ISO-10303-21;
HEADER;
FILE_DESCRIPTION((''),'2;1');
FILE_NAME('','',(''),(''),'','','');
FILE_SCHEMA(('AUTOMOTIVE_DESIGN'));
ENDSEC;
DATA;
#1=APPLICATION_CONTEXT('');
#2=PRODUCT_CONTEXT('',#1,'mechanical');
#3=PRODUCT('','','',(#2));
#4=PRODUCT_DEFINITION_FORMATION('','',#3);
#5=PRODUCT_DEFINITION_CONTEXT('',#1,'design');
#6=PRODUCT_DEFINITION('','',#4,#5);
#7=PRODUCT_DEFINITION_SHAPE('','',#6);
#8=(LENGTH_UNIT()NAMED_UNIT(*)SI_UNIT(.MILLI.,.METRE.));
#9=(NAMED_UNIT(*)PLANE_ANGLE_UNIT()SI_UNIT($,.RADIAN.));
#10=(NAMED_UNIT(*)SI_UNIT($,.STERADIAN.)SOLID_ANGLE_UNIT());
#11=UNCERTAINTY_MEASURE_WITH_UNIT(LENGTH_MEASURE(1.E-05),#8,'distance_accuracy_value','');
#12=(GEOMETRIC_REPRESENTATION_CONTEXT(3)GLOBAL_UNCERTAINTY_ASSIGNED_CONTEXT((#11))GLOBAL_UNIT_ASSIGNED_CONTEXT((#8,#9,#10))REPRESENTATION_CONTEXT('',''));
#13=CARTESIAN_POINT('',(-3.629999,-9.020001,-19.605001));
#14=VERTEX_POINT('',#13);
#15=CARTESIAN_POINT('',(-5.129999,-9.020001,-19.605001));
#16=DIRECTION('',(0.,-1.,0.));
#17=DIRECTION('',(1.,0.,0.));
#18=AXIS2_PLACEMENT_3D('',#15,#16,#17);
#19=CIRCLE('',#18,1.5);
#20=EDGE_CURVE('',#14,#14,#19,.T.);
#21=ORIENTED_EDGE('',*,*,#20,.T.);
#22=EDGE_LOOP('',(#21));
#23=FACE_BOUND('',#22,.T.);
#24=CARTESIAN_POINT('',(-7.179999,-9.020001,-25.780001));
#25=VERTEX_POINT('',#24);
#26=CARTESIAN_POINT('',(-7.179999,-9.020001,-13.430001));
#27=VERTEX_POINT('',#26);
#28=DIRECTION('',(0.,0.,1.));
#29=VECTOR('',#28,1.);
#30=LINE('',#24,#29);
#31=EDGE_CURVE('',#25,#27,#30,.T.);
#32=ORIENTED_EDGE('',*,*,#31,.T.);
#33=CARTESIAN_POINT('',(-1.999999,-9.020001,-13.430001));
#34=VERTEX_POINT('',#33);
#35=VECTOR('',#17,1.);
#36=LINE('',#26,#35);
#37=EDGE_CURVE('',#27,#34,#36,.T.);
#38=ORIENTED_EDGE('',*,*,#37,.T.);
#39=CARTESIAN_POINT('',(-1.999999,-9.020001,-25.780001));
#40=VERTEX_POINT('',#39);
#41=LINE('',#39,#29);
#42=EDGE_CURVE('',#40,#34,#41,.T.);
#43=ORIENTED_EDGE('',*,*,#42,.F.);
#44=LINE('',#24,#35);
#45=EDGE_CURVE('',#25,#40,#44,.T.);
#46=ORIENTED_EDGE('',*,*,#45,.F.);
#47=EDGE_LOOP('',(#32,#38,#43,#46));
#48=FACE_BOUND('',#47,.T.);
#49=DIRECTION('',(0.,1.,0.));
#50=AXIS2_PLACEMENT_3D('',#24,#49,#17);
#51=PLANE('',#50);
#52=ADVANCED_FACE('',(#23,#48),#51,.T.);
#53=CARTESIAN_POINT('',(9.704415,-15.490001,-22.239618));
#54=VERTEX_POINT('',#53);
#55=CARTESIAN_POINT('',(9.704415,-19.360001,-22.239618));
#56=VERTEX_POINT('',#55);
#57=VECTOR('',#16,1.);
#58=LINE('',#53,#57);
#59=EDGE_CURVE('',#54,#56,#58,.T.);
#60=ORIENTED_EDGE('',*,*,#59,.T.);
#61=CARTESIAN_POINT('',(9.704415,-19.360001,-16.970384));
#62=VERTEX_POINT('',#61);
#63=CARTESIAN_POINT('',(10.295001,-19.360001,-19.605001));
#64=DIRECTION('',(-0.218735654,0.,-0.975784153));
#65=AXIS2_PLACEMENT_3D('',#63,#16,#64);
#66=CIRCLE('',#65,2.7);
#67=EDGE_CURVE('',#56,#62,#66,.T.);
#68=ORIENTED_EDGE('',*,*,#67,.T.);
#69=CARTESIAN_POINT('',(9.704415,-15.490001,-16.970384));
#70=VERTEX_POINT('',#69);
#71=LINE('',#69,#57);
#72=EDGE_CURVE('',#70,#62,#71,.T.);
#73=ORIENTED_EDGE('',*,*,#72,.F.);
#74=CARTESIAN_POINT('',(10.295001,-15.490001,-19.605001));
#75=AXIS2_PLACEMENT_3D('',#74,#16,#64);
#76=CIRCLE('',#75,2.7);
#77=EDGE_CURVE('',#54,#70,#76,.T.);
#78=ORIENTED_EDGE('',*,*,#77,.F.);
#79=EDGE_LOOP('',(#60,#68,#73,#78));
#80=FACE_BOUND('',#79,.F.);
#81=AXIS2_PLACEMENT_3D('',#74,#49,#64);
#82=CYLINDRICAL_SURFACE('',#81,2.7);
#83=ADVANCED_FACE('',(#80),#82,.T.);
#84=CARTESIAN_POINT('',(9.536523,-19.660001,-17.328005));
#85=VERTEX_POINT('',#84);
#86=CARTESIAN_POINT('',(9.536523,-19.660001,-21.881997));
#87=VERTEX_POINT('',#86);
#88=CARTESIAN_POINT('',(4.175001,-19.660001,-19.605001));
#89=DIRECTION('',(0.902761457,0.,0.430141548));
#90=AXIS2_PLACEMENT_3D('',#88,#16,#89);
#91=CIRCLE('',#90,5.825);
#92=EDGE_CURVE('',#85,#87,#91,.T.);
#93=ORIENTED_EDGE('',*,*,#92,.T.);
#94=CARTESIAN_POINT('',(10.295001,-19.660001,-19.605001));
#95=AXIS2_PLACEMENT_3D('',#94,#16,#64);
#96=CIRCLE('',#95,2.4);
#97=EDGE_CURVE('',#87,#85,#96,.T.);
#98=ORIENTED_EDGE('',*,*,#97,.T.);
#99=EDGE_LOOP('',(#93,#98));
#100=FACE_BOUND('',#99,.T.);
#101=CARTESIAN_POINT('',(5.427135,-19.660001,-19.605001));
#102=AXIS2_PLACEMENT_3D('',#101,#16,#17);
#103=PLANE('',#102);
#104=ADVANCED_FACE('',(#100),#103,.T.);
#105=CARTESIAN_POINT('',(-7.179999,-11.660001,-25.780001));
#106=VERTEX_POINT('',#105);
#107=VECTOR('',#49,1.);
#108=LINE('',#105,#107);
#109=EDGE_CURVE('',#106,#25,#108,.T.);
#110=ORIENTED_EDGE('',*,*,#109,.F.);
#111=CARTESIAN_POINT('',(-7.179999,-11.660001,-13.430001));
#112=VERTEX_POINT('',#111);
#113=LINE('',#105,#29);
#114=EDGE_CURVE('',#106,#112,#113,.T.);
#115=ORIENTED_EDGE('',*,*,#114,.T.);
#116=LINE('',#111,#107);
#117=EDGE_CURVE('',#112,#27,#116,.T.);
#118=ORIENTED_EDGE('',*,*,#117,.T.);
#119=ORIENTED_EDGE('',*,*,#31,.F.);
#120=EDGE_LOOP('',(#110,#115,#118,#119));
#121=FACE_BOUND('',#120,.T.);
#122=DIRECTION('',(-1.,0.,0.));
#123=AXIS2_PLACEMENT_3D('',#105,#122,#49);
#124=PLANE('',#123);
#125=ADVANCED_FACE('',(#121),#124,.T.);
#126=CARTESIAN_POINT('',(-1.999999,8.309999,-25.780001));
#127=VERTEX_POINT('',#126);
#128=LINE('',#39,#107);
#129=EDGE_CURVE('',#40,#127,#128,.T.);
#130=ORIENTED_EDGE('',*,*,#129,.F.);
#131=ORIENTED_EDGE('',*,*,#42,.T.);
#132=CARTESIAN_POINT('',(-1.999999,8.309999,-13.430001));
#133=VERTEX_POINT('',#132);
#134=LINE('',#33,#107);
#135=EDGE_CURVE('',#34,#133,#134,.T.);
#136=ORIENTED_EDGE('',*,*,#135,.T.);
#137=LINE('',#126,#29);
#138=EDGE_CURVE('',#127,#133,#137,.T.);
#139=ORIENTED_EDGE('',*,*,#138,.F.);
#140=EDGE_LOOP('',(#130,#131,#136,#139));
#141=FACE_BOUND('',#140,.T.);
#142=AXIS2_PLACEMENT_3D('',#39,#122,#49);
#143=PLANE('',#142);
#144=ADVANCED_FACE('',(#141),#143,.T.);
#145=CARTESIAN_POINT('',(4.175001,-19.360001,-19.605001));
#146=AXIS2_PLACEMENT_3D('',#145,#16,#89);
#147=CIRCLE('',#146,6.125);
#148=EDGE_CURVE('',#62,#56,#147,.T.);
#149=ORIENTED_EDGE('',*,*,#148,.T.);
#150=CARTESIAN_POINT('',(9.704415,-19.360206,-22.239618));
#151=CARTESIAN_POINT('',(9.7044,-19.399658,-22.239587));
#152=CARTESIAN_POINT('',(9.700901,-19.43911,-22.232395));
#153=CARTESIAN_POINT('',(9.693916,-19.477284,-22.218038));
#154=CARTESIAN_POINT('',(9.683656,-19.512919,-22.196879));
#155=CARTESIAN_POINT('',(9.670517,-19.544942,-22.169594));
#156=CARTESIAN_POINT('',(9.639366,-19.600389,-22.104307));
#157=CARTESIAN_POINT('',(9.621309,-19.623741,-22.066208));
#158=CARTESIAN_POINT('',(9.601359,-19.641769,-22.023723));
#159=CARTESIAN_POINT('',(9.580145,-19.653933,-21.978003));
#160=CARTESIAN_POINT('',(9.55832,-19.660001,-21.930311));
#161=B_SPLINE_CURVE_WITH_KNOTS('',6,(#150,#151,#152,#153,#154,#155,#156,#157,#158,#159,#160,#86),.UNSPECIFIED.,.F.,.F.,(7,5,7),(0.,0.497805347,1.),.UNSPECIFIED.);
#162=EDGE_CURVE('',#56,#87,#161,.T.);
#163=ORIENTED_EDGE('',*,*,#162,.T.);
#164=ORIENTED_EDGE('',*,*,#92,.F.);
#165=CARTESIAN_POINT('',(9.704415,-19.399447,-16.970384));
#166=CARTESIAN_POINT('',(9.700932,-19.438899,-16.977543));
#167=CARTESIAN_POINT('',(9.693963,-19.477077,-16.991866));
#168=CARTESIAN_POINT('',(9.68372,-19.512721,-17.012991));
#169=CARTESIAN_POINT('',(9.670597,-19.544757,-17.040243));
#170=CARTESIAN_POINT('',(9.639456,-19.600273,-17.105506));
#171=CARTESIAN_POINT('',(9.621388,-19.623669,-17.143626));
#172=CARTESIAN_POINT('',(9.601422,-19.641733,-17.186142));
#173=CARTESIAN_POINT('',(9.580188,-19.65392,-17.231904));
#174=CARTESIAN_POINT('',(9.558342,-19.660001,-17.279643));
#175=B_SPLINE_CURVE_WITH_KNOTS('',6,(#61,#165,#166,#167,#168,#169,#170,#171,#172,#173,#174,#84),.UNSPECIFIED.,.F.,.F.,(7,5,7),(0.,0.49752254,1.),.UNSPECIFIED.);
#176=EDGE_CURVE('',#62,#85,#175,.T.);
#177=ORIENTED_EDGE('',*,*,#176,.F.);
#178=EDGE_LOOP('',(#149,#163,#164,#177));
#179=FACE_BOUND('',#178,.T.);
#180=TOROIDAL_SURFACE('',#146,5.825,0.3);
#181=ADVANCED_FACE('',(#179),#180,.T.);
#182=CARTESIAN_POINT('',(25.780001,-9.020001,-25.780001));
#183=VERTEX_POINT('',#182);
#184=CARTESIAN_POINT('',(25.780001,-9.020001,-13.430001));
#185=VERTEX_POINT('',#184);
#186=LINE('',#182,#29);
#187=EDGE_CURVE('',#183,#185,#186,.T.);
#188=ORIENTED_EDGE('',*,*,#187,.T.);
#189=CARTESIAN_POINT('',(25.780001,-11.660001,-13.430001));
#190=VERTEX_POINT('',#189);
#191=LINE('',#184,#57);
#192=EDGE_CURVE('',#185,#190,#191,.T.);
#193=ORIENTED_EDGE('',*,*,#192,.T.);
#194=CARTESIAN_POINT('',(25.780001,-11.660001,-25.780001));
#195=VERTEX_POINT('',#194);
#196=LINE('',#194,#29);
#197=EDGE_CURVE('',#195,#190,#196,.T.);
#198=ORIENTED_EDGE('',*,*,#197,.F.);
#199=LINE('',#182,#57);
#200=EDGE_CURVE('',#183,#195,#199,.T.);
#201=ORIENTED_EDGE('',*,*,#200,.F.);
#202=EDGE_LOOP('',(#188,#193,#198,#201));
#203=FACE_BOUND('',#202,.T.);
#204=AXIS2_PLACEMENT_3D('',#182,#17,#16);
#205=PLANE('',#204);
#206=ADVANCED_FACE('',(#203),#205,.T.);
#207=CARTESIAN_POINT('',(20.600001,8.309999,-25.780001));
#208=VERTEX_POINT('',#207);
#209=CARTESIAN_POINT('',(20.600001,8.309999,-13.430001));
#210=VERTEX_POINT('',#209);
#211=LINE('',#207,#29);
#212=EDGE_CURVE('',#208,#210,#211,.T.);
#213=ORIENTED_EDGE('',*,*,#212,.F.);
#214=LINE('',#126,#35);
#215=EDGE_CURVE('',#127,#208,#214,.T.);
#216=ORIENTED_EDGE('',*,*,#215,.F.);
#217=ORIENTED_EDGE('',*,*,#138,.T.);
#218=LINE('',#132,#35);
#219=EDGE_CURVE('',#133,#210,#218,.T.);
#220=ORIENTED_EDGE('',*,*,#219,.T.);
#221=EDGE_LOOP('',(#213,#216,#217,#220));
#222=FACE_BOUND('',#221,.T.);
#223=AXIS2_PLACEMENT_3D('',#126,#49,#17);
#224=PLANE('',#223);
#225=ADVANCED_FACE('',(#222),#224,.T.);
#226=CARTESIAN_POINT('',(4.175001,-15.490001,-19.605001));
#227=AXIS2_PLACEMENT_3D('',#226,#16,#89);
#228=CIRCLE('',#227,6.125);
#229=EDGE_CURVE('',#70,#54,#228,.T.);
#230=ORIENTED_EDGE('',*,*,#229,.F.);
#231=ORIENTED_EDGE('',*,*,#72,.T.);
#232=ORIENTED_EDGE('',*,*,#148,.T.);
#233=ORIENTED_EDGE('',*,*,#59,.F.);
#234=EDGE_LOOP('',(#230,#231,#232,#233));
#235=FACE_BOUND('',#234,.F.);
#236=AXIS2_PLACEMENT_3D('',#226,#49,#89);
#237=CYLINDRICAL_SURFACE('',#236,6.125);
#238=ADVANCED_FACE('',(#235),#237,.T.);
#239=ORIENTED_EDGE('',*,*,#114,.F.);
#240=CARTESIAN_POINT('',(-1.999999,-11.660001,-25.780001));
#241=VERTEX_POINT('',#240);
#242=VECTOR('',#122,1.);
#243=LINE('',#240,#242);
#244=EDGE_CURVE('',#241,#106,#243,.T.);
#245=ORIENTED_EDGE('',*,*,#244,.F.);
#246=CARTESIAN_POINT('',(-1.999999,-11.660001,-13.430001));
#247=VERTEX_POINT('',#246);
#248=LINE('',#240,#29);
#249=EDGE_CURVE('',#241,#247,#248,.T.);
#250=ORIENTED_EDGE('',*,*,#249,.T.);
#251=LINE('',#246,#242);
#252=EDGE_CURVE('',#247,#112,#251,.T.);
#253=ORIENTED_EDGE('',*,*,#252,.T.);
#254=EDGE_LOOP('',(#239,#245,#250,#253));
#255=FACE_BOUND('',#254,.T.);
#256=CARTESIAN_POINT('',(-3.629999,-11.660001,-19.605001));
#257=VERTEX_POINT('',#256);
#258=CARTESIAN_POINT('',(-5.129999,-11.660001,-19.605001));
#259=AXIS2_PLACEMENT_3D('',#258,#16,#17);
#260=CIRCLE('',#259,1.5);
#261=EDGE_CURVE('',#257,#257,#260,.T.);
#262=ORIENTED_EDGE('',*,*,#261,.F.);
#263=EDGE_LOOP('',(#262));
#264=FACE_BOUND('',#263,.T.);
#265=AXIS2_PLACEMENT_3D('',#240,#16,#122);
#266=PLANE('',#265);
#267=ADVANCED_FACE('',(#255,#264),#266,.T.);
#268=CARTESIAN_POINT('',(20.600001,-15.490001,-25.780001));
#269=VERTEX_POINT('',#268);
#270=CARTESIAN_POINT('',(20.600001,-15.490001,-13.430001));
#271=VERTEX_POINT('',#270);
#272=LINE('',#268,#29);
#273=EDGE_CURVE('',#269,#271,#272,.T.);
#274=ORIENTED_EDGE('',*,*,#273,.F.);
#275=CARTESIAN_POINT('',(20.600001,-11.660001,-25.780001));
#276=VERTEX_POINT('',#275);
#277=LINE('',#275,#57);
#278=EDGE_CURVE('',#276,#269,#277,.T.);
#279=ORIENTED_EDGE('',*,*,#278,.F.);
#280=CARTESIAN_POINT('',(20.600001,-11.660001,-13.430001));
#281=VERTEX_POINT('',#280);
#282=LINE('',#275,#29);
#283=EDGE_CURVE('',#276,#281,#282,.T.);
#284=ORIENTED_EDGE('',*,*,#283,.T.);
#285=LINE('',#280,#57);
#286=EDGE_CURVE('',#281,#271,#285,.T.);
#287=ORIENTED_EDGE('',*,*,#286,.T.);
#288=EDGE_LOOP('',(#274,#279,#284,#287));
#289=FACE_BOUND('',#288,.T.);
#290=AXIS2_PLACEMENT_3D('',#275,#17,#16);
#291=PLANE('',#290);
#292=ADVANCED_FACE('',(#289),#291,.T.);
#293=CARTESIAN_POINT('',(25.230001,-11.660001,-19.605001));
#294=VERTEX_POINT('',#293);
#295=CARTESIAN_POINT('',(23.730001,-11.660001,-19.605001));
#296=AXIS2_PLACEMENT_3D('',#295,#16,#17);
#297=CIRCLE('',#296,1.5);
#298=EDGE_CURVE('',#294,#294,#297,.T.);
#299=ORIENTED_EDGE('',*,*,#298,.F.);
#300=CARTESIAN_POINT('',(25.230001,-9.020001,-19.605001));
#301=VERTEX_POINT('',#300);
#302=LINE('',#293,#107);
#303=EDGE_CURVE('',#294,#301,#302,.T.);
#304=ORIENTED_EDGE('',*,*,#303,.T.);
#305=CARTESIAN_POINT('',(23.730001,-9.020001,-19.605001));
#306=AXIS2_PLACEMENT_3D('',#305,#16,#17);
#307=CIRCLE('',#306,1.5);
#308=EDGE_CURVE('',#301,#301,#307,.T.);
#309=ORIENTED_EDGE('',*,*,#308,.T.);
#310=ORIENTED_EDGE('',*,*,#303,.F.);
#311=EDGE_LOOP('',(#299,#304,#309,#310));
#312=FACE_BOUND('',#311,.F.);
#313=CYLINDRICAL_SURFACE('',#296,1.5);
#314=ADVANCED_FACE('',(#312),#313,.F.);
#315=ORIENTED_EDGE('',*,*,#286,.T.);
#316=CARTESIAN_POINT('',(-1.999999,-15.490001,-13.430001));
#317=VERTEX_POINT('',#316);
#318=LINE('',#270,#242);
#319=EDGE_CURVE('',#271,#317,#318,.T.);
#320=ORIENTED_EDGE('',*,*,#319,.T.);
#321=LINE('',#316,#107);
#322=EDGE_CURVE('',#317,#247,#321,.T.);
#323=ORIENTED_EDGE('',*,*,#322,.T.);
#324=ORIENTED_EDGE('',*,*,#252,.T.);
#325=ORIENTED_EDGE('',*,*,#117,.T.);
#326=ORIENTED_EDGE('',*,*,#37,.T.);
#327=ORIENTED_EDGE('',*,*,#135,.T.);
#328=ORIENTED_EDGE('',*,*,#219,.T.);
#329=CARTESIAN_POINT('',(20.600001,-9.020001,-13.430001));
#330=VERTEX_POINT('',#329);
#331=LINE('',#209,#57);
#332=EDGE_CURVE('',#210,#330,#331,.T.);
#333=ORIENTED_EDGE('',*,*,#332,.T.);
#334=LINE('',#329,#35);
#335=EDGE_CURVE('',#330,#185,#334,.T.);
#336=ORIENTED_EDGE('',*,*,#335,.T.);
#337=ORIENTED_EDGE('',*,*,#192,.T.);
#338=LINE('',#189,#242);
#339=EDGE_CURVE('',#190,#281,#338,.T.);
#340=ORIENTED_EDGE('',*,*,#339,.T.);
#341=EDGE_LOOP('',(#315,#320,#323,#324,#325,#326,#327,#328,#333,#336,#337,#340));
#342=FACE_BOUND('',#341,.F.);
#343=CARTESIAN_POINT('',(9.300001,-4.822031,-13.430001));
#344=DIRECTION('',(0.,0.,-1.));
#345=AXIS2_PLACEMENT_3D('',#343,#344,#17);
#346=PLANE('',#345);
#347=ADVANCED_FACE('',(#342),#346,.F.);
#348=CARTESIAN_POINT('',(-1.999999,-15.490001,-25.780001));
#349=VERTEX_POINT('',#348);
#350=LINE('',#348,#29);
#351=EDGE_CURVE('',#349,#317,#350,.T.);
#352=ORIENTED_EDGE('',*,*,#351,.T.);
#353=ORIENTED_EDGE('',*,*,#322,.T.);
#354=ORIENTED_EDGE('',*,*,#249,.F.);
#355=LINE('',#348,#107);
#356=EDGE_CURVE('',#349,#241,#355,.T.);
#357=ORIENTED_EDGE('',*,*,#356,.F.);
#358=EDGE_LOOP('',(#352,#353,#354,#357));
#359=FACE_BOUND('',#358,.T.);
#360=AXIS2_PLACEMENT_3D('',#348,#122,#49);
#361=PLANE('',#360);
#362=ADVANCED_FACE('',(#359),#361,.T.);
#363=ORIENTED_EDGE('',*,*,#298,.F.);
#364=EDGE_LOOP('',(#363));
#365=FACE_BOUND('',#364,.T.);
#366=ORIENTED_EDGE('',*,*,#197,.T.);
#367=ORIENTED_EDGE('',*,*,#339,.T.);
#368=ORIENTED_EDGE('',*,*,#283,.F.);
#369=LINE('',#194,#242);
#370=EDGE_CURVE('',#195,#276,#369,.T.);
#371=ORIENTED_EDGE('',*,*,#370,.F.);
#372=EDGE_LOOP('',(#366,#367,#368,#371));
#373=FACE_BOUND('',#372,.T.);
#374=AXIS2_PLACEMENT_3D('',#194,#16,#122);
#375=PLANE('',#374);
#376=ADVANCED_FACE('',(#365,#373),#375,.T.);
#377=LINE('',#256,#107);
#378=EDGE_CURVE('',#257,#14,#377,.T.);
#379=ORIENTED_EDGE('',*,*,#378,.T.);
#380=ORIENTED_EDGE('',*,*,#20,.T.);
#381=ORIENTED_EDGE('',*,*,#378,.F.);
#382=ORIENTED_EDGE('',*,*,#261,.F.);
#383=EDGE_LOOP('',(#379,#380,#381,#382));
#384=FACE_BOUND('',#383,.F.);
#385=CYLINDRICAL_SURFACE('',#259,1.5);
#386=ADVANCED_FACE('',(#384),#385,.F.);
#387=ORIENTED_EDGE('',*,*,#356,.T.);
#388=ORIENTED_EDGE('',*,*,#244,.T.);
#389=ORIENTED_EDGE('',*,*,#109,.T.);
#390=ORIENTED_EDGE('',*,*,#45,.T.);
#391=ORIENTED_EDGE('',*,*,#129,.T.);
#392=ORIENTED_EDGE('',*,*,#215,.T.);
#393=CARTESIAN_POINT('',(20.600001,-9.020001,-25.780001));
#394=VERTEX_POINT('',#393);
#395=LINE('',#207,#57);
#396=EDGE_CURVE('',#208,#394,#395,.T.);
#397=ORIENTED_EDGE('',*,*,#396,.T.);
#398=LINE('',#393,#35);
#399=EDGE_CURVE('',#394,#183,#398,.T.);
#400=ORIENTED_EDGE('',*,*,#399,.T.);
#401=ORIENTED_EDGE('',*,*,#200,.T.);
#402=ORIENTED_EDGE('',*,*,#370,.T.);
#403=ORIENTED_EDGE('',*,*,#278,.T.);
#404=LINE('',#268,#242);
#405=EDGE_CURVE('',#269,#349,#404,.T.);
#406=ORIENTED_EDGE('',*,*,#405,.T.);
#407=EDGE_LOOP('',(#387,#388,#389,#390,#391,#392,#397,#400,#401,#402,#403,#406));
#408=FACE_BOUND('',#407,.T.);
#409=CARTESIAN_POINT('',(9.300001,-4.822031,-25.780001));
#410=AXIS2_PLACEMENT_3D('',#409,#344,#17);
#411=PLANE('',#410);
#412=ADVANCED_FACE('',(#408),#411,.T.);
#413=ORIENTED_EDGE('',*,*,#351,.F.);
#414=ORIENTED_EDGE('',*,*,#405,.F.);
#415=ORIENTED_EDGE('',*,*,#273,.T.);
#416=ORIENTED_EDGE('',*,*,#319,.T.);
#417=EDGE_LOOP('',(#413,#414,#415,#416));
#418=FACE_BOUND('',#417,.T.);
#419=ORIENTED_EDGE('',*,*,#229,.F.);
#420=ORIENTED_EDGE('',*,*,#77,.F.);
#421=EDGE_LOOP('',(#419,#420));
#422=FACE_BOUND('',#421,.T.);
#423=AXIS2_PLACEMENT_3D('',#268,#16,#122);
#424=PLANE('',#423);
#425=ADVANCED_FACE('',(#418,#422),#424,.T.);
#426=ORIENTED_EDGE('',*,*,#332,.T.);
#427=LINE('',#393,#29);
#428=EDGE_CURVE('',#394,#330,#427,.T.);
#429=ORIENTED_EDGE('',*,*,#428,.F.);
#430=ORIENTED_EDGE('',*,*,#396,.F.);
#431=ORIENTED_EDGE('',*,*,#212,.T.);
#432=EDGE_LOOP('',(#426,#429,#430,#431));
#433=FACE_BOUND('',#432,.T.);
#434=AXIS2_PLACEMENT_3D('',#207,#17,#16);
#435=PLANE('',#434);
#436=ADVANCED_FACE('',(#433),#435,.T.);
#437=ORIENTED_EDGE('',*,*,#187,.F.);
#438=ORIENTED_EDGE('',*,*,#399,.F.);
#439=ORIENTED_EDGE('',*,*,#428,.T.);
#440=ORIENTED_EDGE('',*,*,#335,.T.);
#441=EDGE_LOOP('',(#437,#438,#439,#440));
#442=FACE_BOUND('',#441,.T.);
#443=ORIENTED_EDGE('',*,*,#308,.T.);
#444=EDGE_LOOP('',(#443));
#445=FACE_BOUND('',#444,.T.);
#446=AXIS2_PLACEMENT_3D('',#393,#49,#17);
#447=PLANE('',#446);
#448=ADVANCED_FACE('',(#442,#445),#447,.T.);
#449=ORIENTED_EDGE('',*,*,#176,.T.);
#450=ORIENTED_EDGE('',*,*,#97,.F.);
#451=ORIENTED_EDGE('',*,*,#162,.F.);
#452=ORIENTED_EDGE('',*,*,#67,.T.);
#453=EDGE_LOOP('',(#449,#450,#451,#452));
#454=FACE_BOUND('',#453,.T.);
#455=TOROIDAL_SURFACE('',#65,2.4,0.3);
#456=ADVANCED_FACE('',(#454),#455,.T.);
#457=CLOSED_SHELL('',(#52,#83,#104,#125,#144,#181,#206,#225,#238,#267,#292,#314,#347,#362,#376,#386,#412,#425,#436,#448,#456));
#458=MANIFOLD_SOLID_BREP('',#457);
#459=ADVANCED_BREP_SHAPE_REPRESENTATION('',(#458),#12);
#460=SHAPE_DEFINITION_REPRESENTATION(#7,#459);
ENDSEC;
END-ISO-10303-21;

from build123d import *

# Parameters (mm, degrees)
PAD026_DEPTH            = 12.35
PAD025_DEPTH            = 4.17
SKETCH050_R             = 1.5
POCKET019_DEPTH         = 5
FILLET025_R             = 0.3
BODY013_PLACEMENT_ANGLE = 180


with BuildPart() as part:
    # Sketch051 → Pad026 (new body)
    with BuildSketch(Plane.XY):
        Polygon((0, 23.8), (22.6, 23.8), (22.6, 19.97), (27.78, 19.97), (27.78, 17.33), (22.6, 17.33), (22.6, 0), (0, 0), (0, 17.33), (-5.18, 17.33), (-5.18, 19.97), (0, 19.97), align=None)
    extrude(amount=PAD026_DEPTH)

    # Sketch049 (on Face4 of Pad026) → Pad025 (join)
    with BuildSketch(Plane(origin=(0, 23.8, 0), x_dir=(-1, 0, 0), z_dir=(0, 1, 0))):
        with BuildLine():
            ThreePointArc((-10.895586, 8.809617), (-22.55, 6.175), (-10.895586, 3.540383))
            ThreePointArc((-10.895586, 3.540383), (-7.605, 6.175), (-10.895586, 8.809617))
        make_face()
    extrude(amount=PAD025_DEPTH)

    # Sketch050 (on Face10 of Pad025) → Pocket019 (cut)
    with BuildSketch(Plane(origin=(0, 19.97, 0), x_dir=(-1, 0, 0), z_dir=(0, 1, 0))):
        with Locations((-25.73, 6.175)):
            Circle(SKETCH050_R)
        with Locations((3.13, 6.175)):
            Circle(SKETCH050_R)
    extrude(amount=-POCKET019_DEPTH, mode=Mode.SUBTRACT)

    # Fillet025
    fillet025_edges = [part.edges().sort_by_distance(p)[0] for p in [
        (22.55, 27.97, 6.175),
        (7.605, 27.97, 6.175),
    ]]
    fillet(fillet025_edges, radius=FILLET025_R)


with BuildPart() as part_1:
    # Body013 placement: moved
    add(part.part.moved(Location((20.600001, 8.309999, -25.780001))).rotate(Axis((20.600001, 8.309999, -25.780001), (0, 0, 1)), BODY013_PLACEMENT_ANGLE))


solid = part_1.part
